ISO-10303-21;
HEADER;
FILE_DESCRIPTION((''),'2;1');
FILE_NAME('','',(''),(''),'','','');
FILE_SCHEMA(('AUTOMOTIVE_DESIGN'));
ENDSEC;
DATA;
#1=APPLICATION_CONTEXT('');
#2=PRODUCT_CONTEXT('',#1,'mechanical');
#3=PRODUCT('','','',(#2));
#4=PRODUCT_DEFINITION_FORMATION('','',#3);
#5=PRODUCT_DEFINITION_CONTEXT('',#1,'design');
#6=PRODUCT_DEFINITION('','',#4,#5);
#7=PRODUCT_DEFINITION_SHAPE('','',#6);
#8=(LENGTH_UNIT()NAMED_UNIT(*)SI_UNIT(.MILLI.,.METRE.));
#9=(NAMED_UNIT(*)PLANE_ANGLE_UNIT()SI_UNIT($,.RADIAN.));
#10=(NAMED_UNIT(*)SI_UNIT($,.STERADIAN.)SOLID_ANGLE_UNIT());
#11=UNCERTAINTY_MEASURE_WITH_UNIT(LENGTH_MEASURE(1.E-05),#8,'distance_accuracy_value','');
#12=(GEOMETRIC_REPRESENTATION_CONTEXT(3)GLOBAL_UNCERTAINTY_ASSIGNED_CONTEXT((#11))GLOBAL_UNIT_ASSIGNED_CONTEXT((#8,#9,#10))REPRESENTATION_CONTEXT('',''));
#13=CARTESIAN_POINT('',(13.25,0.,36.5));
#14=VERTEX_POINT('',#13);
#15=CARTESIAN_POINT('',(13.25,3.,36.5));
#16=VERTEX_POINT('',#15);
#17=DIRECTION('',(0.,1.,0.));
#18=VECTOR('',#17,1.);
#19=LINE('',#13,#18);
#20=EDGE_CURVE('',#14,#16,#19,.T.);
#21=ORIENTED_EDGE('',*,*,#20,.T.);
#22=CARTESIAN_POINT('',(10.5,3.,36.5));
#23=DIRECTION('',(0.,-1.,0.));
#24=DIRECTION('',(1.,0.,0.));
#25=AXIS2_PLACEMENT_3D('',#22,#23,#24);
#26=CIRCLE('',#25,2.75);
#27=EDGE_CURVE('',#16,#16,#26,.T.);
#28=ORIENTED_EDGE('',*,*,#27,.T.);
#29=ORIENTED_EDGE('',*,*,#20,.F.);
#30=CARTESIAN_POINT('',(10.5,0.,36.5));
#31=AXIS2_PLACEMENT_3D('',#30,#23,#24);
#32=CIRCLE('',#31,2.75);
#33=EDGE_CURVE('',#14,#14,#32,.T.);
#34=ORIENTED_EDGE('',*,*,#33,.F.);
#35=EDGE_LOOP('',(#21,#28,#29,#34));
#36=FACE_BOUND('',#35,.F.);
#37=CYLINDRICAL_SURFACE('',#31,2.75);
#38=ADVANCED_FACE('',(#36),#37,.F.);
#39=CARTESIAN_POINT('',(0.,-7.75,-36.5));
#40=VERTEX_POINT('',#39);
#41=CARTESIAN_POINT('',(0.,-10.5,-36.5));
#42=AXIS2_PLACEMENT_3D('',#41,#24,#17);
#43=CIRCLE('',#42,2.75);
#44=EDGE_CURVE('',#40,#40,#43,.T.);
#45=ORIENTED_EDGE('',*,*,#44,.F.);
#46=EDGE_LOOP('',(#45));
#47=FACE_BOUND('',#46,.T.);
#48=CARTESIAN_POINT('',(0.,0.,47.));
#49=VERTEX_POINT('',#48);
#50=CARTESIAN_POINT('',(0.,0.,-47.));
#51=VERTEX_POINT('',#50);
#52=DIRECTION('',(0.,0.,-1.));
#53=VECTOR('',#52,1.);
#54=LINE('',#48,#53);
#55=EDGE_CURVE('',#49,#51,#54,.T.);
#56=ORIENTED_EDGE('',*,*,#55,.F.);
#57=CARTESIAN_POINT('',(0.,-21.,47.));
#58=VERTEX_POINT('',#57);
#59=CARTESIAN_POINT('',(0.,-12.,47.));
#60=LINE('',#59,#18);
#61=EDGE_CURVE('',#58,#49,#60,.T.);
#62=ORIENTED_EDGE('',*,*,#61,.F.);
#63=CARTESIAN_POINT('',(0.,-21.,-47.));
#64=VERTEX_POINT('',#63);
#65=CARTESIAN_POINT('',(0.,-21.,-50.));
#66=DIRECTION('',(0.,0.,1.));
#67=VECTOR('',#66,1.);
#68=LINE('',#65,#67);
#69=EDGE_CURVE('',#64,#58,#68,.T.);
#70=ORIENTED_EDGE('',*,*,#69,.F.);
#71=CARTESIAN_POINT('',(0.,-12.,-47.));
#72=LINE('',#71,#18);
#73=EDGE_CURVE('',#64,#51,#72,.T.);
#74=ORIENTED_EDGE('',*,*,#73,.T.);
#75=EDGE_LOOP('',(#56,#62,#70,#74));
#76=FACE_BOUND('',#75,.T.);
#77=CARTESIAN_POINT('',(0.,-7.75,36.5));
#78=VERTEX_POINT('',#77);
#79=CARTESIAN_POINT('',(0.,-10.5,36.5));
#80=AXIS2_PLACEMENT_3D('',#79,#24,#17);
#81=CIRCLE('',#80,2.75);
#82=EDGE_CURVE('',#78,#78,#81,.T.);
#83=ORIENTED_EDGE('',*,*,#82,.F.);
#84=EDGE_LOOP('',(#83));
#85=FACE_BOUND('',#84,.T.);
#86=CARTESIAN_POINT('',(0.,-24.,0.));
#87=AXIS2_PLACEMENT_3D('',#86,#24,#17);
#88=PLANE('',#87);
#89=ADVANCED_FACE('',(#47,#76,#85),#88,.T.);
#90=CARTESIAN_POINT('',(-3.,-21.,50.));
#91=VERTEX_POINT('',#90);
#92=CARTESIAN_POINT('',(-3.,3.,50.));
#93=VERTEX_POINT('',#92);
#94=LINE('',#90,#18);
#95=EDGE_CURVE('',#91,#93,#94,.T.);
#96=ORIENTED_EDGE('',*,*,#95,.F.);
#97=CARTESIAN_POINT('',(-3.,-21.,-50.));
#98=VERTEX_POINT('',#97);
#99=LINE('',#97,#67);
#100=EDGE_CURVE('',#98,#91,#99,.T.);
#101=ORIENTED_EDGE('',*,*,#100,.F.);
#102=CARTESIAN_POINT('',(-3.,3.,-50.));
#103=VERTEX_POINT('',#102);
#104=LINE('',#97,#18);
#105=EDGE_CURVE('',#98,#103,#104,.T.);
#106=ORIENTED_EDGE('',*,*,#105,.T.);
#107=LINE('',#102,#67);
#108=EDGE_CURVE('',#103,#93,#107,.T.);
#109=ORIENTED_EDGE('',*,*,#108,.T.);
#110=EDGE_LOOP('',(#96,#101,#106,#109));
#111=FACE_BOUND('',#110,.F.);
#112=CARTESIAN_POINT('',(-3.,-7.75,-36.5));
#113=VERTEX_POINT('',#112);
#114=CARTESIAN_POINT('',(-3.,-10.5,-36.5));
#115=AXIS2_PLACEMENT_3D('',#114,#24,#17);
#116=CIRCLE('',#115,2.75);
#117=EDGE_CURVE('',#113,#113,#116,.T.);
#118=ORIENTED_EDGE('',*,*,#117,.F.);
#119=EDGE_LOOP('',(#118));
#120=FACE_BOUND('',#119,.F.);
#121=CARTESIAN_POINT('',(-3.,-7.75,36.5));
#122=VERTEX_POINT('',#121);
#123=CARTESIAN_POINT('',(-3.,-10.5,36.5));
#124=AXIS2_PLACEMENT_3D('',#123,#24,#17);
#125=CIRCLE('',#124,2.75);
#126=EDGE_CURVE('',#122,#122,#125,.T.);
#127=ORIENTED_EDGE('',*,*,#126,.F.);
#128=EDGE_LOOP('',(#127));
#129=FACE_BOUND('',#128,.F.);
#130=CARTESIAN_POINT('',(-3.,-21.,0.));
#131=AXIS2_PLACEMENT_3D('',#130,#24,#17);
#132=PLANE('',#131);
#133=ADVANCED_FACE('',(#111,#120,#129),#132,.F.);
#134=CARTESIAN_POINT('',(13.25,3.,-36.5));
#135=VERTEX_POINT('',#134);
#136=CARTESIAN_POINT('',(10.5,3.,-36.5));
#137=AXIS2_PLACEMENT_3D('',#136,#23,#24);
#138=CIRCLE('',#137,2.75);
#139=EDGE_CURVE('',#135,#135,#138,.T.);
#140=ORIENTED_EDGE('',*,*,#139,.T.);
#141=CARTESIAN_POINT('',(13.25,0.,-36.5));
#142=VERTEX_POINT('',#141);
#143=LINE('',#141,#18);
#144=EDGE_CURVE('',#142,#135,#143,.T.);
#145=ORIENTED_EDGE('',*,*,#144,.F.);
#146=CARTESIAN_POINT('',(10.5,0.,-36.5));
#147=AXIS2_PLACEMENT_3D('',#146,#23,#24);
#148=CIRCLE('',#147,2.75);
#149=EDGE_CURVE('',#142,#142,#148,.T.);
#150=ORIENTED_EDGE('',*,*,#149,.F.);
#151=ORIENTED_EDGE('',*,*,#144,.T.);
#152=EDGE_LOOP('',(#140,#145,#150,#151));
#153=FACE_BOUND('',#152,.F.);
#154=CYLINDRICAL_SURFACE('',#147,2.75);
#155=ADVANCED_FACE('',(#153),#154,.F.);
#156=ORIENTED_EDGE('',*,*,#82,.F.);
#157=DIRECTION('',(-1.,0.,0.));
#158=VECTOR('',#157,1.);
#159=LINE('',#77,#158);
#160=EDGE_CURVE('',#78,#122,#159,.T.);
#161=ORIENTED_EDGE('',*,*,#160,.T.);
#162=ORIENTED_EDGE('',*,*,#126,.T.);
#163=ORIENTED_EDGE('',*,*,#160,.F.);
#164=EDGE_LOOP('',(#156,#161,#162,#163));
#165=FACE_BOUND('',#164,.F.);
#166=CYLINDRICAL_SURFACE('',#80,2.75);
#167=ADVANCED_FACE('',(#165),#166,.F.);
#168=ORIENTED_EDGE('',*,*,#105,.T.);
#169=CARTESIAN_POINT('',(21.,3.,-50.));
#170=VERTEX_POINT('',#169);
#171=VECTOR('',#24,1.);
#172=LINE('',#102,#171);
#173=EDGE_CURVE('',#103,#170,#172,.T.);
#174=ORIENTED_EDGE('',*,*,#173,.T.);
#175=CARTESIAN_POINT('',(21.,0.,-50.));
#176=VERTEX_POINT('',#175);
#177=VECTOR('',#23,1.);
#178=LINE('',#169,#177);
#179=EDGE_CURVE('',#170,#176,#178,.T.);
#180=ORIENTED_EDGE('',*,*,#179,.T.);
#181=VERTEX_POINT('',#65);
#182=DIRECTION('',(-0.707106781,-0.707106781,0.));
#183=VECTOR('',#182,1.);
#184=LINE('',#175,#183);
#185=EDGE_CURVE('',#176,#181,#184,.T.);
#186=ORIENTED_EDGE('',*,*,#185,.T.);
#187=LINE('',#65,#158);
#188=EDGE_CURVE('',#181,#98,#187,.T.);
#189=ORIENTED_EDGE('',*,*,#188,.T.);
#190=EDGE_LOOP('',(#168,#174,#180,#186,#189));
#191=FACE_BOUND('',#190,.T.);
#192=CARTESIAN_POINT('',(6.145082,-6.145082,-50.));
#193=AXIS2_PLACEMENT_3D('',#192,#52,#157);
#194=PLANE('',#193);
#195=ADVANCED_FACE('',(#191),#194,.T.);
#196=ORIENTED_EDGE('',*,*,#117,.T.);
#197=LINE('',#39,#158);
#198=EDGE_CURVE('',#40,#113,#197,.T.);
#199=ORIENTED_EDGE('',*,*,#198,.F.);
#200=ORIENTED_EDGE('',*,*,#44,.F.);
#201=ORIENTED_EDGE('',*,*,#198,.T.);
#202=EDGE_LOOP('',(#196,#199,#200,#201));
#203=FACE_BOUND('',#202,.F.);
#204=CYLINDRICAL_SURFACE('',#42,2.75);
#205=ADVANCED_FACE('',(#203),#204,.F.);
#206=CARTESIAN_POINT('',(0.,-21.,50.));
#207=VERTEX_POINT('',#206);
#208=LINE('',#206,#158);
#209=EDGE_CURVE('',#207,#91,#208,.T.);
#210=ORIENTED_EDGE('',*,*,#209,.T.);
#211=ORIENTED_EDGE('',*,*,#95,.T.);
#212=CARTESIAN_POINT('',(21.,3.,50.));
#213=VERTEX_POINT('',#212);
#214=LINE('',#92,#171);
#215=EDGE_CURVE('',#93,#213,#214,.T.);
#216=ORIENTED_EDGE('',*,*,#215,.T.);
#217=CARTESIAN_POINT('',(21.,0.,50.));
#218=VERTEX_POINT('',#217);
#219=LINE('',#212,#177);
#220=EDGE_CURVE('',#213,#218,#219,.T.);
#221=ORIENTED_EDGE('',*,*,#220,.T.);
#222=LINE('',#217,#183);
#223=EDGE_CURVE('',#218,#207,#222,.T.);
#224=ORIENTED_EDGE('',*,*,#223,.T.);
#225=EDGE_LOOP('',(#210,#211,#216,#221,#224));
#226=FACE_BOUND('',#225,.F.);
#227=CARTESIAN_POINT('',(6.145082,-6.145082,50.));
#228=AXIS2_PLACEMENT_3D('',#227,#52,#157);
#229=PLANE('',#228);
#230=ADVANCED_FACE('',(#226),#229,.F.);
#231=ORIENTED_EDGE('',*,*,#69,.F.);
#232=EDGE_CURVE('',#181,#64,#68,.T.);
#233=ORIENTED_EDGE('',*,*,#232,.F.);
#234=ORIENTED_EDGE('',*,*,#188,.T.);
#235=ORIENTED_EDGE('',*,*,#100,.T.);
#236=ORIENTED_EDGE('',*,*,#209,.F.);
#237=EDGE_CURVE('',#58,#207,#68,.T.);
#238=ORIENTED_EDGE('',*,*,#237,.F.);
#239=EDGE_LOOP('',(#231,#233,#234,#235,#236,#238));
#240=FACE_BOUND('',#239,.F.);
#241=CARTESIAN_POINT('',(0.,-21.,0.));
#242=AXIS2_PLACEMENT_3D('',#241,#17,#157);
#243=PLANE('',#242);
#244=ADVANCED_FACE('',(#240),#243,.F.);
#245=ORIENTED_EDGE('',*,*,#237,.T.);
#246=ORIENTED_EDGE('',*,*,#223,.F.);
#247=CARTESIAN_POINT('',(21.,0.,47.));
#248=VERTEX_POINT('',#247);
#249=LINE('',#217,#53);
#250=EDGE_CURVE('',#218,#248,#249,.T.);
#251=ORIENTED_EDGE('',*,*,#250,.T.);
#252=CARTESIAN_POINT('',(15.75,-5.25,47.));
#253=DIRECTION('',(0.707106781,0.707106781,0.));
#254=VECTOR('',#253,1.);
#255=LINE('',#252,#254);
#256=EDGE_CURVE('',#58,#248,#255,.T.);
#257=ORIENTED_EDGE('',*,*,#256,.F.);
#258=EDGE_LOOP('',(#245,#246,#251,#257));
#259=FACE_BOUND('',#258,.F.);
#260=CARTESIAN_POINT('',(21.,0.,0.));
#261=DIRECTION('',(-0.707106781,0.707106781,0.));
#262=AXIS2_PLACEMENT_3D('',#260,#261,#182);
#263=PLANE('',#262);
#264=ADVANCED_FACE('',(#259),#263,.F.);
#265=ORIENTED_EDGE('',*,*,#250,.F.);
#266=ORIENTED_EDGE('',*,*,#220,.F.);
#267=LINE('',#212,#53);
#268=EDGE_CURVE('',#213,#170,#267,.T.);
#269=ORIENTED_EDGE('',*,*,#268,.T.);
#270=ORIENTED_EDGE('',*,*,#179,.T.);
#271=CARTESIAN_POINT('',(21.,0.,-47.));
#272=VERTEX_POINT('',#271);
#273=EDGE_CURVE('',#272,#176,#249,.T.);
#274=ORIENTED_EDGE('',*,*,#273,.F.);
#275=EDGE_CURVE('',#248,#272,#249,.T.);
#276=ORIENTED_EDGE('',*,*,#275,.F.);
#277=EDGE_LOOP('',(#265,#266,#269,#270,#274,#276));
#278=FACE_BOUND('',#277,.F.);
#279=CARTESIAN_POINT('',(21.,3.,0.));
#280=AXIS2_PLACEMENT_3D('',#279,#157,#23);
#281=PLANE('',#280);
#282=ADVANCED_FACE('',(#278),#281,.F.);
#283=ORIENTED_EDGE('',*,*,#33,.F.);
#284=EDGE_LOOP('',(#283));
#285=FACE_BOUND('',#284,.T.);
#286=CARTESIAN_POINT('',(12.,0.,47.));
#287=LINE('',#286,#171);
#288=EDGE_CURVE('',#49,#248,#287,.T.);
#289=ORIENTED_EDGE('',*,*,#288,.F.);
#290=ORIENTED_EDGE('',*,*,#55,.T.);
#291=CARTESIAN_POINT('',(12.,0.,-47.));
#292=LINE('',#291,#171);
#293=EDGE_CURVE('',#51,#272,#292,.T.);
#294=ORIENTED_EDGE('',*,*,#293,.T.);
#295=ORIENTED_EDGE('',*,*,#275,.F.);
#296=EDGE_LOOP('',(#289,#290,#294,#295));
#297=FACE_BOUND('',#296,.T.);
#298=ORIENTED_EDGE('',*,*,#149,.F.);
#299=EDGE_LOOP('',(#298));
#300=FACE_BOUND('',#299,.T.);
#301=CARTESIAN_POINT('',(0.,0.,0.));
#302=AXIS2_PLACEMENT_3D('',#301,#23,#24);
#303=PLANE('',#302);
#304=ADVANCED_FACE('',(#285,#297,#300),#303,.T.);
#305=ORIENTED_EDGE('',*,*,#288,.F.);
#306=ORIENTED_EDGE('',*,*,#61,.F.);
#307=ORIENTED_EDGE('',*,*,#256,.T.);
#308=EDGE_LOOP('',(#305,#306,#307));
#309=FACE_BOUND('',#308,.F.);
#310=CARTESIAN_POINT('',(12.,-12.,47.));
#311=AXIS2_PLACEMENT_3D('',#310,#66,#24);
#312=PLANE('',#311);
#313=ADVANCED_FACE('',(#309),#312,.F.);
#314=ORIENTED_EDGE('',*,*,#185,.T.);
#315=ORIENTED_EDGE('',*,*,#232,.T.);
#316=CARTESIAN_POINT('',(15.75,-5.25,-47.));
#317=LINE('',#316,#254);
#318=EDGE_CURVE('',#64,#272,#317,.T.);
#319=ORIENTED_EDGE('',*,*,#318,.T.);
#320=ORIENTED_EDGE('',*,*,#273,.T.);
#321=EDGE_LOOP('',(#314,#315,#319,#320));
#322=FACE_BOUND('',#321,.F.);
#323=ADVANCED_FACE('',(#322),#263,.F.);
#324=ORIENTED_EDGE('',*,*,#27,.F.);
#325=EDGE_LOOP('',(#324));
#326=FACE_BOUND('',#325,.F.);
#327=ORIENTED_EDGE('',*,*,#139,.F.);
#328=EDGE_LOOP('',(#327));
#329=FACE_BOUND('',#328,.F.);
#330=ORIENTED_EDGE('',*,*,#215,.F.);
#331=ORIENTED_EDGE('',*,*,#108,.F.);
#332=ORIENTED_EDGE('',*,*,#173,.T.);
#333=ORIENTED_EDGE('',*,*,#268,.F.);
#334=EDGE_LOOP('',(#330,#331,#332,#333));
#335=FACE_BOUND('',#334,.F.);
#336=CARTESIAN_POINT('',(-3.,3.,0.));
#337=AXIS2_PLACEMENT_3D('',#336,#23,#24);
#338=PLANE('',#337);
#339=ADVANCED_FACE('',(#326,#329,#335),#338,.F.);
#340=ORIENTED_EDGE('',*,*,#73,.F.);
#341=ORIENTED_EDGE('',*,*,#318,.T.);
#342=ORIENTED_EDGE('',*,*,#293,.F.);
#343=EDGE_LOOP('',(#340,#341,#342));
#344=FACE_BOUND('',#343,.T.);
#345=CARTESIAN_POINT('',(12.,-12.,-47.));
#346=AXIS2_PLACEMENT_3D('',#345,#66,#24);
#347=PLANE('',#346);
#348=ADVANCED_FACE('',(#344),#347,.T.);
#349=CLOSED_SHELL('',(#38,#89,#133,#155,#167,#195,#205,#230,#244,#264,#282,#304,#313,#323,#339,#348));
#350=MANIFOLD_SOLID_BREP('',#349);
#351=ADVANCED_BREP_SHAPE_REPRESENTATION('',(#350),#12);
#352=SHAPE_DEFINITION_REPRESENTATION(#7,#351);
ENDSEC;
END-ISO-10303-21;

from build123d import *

# Parameters (mm, degrees)
PAD_DEPTH     = 50
SKETCH001_W   = 24
SKETCH001_H   = 24
POCKET_DEPTH  = 47
SKETCH002_R   = 2.75
HOLE_DEPTH    = 3.001
SKETCH003_R   = 2.75
HOLE001_DEPTH = 3.001


with BuildPart() as part:
    # Sketch → Pad (new body, symmetric)
    with BuildSketch(Plane.XY):
        Polygon((-3, 3), (21, 3), (21, 0), (0, -21), (-3, -21), align=None)
    extrude(amount=PAD_DEPTH, both=True)

    # Sketch001 → Pocket (cut, symmetric)
    with BuildSketch(Plane.XY):
        with Locations((12, -12)):
            Rectangle(SKETCH001_W, SKETCH001_H)
    extrude(amount=POCKET_DEPTH, both=True, mode=Mode.SUBTRACT)

    # Sketch002 → Hole (cut, through all)
    with BuildSketch(Plane.YZ):
        with Locations((-10.5, 36.5)):
            Circle(SKETCH002_R)
        with Locations((-10.5, -36.5)):
            Circle(SKETCH002_R)
    extrude(amount=-HOLE_DEPTH, mode=Mode.SUBTRACT)

    # Sketch003 → Hole001 (cut, through all)
    with BuildSketch(Plane.XZ):
        with Locations((10.5, 36.5)):
            Circle(SKETCH003_R)
        with Locations((10.5, -36.5)):
            Circle(SKETCH003_R)
    extrude(amount=-HOLE001_DEPTH, mode=Mode.SUBTRACT)


solid = part.part
